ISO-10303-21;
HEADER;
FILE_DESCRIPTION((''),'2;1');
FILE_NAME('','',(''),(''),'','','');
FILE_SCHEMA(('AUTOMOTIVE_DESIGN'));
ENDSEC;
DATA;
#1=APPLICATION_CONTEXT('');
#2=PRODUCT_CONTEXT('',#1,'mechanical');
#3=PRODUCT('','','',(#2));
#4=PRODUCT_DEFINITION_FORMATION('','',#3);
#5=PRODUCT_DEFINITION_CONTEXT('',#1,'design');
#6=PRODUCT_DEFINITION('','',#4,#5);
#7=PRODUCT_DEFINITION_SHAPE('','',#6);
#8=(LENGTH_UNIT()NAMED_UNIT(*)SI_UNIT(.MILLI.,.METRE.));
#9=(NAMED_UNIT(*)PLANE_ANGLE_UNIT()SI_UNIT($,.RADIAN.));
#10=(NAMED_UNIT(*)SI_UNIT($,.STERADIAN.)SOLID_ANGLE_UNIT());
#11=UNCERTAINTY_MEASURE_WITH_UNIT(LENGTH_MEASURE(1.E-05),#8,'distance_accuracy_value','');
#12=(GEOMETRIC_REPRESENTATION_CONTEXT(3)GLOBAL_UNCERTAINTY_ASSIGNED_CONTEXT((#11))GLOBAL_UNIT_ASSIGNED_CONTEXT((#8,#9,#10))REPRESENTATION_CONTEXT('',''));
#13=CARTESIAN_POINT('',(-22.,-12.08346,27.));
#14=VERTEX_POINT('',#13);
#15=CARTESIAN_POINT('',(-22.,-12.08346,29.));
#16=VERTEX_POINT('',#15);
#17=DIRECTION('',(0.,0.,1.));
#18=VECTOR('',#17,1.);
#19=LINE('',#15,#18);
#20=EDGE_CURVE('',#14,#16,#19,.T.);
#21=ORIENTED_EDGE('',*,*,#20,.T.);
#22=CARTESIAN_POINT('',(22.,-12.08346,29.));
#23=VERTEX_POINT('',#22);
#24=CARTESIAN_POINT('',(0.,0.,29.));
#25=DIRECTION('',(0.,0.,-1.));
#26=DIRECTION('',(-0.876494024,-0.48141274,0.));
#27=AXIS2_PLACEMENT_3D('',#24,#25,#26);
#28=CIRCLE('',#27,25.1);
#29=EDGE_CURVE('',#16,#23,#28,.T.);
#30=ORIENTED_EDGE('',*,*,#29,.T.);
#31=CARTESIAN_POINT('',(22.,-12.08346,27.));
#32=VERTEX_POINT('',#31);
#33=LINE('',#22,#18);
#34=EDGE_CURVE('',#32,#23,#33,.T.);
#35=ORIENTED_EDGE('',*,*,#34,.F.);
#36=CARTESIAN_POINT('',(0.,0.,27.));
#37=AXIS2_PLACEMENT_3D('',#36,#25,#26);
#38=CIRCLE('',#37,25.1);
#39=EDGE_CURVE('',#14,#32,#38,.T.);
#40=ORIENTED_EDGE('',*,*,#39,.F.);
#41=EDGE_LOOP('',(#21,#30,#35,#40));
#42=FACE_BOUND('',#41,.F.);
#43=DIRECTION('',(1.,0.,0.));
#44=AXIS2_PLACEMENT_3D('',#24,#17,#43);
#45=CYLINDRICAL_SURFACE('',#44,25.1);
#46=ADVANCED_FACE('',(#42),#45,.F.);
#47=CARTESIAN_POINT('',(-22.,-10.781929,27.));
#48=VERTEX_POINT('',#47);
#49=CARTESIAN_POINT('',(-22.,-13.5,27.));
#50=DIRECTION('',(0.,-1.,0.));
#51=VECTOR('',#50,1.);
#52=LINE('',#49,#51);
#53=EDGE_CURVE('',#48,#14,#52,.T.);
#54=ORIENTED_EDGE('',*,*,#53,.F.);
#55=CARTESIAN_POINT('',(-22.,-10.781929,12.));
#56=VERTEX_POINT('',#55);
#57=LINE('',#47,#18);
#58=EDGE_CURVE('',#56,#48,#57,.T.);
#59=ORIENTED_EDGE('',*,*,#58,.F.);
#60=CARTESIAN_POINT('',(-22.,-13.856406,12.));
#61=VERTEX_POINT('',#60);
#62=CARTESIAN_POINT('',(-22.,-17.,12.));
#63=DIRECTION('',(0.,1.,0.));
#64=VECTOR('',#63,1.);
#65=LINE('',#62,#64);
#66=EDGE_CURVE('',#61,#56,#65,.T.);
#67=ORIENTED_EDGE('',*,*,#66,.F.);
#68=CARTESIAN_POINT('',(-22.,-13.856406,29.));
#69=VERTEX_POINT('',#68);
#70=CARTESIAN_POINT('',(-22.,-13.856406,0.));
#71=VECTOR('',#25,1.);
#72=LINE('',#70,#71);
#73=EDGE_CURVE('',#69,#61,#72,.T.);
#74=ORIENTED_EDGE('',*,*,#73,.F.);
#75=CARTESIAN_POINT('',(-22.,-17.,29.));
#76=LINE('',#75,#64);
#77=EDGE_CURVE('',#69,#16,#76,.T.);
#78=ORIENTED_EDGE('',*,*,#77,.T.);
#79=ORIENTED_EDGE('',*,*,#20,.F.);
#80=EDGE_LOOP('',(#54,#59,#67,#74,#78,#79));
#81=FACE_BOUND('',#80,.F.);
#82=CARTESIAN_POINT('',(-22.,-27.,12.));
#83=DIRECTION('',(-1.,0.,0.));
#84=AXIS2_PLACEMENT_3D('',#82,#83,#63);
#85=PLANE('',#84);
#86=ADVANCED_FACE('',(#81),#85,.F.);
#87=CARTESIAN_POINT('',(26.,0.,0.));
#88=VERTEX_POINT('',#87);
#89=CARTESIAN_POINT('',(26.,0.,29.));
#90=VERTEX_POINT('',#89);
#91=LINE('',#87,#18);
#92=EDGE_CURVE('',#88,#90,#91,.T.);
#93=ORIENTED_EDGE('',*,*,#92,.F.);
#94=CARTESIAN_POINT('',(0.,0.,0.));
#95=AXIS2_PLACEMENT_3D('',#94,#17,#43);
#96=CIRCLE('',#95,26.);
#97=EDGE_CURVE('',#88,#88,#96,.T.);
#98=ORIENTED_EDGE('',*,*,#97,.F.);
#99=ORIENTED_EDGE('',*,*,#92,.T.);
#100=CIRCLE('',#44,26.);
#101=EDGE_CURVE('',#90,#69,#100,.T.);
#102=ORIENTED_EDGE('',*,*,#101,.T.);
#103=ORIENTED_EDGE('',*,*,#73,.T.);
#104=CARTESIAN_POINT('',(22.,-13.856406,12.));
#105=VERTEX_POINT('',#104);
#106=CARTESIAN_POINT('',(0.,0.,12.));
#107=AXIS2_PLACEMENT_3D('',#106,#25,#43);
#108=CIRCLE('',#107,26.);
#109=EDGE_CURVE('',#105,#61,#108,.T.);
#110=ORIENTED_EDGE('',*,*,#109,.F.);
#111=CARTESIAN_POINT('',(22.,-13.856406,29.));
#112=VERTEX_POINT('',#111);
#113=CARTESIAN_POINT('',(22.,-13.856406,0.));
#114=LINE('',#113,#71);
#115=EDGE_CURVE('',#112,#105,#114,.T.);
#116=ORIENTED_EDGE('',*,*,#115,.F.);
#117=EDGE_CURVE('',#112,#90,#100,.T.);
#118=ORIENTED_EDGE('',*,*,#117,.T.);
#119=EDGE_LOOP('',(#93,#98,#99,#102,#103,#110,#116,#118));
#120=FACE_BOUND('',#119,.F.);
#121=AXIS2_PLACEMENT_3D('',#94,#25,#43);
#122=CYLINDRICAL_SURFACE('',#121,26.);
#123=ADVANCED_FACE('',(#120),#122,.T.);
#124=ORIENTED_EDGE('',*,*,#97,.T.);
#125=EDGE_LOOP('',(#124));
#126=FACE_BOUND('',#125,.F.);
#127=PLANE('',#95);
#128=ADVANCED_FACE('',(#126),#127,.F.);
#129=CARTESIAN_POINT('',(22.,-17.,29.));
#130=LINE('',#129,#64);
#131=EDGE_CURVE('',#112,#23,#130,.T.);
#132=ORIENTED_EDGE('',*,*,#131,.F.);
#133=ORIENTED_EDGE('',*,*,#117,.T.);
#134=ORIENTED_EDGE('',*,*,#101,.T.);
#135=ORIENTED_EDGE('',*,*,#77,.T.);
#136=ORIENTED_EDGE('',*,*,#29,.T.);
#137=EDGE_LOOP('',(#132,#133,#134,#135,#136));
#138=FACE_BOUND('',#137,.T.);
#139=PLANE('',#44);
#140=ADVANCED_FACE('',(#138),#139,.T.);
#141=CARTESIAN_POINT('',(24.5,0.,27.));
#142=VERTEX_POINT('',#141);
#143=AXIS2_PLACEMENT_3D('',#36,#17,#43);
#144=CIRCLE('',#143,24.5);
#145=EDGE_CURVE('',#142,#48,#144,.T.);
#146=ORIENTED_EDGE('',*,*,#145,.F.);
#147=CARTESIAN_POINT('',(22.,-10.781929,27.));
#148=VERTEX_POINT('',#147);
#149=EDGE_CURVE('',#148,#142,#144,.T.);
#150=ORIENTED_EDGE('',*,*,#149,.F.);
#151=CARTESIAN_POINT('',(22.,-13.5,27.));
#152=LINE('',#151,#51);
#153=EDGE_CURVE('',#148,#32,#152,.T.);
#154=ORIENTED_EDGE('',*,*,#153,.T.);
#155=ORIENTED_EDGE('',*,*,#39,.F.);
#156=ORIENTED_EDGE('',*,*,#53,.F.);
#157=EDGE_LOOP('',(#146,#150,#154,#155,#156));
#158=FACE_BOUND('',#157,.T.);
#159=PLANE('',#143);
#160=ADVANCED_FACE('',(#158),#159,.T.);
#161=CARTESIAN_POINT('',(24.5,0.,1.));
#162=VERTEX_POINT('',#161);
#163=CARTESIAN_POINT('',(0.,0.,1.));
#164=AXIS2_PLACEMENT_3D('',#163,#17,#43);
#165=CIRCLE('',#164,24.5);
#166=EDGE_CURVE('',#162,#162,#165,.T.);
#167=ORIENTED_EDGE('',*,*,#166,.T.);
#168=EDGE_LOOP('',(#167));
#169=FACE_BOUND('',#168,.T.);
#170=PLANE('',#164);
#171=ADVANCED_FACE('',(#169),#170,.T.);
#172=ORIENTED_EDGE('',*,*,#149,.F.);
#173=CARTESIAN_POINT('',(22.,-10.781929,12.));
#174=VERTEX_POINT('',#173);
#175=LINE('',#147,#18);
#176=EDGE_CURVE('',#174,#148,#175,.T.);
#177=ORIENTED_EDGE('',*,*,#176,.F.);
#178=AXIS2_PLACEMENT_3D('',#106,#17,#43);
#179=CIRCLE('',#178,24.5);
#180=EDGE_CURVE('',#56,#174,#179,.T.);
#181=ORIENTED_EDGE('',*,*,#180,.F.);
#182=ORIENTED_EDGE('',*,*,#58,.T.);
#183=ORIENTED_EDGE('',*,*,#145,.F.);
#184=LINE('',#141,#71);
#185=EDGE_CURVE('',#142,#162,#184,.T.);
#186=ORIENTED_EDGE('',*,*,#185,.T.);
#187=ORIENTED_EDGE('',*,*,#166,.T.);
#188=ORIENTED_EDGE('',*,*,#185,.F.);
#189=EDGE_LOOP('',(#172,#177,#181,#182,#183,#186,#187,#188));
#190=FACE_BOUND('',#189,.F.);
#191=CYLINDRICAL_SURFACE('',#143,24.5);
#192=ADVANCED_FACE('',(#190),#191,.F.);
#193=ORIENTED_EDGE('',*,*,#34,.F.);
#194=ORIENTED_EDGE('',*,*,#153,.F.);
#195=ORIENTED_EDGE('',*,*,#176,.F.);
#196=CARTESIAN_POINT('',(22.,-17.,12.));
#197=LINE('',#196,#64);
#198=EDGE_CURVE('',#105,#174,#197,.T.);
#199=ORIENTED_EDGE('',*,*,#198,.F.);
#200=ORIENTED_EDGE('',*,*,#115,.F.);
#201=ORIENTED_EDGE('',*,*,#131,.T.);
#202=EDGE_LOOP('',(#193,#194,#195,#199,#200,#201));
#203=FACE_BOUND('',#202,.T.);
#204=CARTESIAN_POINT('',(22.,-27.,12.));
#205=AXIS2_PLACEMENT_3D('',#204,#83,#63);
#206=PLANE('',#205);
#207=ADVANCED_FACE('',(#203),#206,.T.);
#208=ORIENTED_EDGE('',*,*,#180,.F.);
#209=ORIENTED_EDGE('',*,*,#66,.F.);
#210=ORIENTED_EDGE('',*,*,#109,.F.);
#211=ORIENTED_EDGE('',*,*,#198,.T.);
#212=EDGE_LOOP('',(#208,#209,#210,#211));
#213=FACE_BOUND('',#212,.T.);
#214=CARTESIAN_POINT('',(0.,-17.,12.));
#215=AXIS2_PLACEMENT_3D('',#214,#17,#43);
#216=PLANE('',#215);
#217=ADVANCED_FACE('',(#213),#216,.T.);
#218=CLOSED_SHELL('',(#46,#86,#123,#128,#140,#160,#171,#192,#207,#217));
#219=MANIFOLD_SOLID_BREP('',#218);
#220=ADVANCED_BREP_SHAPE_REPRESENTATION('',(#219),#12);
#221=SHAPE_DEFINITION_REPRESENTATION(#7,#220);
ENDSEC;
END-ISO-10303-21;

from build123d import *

# Parameters (mm, degrees)
SKETCH003_W     = 44
SKETCH003_H     = 20
PAD001_DEPTH    = 17
SKETCH_R        = 26
PAD_DEPTH       = 29
SKETCH001_R     = 25.1
POCKET_DEPTH    = 2
SKETCH002_R     = 24.5
POCKET001_DEPTH = 26


with BuildPart() as pad001:
    # Sketch003 → Pad001 (new body)
    with BuildSketch(Plane.XY.offset(12)):
        with Locations((0, -17)):
            Rectangle(SKETCH003_W, SKETCH003_H)
    extrude(amount=PAD001_DEPTH)


with BuildPart() as cut:
    # Sketch → Pad (new body)
    with BuildSketch(Plane.XY):
        Circle(SKETCH_R)
    extrude(amount=PAD_DEPTH)

    # Sketch001 → Pocket (cut)
    with BuildSketch(Plane.XY.offset(29)):
        Circle(SKETCH001_R)
    extrude(amount=-POCKET_DEPTH, mode=Mode.SUBTRACT)

    # Sketch002 → Pocket001 (cut)
    with BuildSketch(Plane.XY.offset(27)):
        Circle(SKETCH002_R)
    extrude(amount=-POCKET001_DEPTH, mode=Mode.SUBTRACT)

    # Cut: cut Pad001
    add(pad001.part, mode=Mode.SUBTRACT)


solid = cut.part
